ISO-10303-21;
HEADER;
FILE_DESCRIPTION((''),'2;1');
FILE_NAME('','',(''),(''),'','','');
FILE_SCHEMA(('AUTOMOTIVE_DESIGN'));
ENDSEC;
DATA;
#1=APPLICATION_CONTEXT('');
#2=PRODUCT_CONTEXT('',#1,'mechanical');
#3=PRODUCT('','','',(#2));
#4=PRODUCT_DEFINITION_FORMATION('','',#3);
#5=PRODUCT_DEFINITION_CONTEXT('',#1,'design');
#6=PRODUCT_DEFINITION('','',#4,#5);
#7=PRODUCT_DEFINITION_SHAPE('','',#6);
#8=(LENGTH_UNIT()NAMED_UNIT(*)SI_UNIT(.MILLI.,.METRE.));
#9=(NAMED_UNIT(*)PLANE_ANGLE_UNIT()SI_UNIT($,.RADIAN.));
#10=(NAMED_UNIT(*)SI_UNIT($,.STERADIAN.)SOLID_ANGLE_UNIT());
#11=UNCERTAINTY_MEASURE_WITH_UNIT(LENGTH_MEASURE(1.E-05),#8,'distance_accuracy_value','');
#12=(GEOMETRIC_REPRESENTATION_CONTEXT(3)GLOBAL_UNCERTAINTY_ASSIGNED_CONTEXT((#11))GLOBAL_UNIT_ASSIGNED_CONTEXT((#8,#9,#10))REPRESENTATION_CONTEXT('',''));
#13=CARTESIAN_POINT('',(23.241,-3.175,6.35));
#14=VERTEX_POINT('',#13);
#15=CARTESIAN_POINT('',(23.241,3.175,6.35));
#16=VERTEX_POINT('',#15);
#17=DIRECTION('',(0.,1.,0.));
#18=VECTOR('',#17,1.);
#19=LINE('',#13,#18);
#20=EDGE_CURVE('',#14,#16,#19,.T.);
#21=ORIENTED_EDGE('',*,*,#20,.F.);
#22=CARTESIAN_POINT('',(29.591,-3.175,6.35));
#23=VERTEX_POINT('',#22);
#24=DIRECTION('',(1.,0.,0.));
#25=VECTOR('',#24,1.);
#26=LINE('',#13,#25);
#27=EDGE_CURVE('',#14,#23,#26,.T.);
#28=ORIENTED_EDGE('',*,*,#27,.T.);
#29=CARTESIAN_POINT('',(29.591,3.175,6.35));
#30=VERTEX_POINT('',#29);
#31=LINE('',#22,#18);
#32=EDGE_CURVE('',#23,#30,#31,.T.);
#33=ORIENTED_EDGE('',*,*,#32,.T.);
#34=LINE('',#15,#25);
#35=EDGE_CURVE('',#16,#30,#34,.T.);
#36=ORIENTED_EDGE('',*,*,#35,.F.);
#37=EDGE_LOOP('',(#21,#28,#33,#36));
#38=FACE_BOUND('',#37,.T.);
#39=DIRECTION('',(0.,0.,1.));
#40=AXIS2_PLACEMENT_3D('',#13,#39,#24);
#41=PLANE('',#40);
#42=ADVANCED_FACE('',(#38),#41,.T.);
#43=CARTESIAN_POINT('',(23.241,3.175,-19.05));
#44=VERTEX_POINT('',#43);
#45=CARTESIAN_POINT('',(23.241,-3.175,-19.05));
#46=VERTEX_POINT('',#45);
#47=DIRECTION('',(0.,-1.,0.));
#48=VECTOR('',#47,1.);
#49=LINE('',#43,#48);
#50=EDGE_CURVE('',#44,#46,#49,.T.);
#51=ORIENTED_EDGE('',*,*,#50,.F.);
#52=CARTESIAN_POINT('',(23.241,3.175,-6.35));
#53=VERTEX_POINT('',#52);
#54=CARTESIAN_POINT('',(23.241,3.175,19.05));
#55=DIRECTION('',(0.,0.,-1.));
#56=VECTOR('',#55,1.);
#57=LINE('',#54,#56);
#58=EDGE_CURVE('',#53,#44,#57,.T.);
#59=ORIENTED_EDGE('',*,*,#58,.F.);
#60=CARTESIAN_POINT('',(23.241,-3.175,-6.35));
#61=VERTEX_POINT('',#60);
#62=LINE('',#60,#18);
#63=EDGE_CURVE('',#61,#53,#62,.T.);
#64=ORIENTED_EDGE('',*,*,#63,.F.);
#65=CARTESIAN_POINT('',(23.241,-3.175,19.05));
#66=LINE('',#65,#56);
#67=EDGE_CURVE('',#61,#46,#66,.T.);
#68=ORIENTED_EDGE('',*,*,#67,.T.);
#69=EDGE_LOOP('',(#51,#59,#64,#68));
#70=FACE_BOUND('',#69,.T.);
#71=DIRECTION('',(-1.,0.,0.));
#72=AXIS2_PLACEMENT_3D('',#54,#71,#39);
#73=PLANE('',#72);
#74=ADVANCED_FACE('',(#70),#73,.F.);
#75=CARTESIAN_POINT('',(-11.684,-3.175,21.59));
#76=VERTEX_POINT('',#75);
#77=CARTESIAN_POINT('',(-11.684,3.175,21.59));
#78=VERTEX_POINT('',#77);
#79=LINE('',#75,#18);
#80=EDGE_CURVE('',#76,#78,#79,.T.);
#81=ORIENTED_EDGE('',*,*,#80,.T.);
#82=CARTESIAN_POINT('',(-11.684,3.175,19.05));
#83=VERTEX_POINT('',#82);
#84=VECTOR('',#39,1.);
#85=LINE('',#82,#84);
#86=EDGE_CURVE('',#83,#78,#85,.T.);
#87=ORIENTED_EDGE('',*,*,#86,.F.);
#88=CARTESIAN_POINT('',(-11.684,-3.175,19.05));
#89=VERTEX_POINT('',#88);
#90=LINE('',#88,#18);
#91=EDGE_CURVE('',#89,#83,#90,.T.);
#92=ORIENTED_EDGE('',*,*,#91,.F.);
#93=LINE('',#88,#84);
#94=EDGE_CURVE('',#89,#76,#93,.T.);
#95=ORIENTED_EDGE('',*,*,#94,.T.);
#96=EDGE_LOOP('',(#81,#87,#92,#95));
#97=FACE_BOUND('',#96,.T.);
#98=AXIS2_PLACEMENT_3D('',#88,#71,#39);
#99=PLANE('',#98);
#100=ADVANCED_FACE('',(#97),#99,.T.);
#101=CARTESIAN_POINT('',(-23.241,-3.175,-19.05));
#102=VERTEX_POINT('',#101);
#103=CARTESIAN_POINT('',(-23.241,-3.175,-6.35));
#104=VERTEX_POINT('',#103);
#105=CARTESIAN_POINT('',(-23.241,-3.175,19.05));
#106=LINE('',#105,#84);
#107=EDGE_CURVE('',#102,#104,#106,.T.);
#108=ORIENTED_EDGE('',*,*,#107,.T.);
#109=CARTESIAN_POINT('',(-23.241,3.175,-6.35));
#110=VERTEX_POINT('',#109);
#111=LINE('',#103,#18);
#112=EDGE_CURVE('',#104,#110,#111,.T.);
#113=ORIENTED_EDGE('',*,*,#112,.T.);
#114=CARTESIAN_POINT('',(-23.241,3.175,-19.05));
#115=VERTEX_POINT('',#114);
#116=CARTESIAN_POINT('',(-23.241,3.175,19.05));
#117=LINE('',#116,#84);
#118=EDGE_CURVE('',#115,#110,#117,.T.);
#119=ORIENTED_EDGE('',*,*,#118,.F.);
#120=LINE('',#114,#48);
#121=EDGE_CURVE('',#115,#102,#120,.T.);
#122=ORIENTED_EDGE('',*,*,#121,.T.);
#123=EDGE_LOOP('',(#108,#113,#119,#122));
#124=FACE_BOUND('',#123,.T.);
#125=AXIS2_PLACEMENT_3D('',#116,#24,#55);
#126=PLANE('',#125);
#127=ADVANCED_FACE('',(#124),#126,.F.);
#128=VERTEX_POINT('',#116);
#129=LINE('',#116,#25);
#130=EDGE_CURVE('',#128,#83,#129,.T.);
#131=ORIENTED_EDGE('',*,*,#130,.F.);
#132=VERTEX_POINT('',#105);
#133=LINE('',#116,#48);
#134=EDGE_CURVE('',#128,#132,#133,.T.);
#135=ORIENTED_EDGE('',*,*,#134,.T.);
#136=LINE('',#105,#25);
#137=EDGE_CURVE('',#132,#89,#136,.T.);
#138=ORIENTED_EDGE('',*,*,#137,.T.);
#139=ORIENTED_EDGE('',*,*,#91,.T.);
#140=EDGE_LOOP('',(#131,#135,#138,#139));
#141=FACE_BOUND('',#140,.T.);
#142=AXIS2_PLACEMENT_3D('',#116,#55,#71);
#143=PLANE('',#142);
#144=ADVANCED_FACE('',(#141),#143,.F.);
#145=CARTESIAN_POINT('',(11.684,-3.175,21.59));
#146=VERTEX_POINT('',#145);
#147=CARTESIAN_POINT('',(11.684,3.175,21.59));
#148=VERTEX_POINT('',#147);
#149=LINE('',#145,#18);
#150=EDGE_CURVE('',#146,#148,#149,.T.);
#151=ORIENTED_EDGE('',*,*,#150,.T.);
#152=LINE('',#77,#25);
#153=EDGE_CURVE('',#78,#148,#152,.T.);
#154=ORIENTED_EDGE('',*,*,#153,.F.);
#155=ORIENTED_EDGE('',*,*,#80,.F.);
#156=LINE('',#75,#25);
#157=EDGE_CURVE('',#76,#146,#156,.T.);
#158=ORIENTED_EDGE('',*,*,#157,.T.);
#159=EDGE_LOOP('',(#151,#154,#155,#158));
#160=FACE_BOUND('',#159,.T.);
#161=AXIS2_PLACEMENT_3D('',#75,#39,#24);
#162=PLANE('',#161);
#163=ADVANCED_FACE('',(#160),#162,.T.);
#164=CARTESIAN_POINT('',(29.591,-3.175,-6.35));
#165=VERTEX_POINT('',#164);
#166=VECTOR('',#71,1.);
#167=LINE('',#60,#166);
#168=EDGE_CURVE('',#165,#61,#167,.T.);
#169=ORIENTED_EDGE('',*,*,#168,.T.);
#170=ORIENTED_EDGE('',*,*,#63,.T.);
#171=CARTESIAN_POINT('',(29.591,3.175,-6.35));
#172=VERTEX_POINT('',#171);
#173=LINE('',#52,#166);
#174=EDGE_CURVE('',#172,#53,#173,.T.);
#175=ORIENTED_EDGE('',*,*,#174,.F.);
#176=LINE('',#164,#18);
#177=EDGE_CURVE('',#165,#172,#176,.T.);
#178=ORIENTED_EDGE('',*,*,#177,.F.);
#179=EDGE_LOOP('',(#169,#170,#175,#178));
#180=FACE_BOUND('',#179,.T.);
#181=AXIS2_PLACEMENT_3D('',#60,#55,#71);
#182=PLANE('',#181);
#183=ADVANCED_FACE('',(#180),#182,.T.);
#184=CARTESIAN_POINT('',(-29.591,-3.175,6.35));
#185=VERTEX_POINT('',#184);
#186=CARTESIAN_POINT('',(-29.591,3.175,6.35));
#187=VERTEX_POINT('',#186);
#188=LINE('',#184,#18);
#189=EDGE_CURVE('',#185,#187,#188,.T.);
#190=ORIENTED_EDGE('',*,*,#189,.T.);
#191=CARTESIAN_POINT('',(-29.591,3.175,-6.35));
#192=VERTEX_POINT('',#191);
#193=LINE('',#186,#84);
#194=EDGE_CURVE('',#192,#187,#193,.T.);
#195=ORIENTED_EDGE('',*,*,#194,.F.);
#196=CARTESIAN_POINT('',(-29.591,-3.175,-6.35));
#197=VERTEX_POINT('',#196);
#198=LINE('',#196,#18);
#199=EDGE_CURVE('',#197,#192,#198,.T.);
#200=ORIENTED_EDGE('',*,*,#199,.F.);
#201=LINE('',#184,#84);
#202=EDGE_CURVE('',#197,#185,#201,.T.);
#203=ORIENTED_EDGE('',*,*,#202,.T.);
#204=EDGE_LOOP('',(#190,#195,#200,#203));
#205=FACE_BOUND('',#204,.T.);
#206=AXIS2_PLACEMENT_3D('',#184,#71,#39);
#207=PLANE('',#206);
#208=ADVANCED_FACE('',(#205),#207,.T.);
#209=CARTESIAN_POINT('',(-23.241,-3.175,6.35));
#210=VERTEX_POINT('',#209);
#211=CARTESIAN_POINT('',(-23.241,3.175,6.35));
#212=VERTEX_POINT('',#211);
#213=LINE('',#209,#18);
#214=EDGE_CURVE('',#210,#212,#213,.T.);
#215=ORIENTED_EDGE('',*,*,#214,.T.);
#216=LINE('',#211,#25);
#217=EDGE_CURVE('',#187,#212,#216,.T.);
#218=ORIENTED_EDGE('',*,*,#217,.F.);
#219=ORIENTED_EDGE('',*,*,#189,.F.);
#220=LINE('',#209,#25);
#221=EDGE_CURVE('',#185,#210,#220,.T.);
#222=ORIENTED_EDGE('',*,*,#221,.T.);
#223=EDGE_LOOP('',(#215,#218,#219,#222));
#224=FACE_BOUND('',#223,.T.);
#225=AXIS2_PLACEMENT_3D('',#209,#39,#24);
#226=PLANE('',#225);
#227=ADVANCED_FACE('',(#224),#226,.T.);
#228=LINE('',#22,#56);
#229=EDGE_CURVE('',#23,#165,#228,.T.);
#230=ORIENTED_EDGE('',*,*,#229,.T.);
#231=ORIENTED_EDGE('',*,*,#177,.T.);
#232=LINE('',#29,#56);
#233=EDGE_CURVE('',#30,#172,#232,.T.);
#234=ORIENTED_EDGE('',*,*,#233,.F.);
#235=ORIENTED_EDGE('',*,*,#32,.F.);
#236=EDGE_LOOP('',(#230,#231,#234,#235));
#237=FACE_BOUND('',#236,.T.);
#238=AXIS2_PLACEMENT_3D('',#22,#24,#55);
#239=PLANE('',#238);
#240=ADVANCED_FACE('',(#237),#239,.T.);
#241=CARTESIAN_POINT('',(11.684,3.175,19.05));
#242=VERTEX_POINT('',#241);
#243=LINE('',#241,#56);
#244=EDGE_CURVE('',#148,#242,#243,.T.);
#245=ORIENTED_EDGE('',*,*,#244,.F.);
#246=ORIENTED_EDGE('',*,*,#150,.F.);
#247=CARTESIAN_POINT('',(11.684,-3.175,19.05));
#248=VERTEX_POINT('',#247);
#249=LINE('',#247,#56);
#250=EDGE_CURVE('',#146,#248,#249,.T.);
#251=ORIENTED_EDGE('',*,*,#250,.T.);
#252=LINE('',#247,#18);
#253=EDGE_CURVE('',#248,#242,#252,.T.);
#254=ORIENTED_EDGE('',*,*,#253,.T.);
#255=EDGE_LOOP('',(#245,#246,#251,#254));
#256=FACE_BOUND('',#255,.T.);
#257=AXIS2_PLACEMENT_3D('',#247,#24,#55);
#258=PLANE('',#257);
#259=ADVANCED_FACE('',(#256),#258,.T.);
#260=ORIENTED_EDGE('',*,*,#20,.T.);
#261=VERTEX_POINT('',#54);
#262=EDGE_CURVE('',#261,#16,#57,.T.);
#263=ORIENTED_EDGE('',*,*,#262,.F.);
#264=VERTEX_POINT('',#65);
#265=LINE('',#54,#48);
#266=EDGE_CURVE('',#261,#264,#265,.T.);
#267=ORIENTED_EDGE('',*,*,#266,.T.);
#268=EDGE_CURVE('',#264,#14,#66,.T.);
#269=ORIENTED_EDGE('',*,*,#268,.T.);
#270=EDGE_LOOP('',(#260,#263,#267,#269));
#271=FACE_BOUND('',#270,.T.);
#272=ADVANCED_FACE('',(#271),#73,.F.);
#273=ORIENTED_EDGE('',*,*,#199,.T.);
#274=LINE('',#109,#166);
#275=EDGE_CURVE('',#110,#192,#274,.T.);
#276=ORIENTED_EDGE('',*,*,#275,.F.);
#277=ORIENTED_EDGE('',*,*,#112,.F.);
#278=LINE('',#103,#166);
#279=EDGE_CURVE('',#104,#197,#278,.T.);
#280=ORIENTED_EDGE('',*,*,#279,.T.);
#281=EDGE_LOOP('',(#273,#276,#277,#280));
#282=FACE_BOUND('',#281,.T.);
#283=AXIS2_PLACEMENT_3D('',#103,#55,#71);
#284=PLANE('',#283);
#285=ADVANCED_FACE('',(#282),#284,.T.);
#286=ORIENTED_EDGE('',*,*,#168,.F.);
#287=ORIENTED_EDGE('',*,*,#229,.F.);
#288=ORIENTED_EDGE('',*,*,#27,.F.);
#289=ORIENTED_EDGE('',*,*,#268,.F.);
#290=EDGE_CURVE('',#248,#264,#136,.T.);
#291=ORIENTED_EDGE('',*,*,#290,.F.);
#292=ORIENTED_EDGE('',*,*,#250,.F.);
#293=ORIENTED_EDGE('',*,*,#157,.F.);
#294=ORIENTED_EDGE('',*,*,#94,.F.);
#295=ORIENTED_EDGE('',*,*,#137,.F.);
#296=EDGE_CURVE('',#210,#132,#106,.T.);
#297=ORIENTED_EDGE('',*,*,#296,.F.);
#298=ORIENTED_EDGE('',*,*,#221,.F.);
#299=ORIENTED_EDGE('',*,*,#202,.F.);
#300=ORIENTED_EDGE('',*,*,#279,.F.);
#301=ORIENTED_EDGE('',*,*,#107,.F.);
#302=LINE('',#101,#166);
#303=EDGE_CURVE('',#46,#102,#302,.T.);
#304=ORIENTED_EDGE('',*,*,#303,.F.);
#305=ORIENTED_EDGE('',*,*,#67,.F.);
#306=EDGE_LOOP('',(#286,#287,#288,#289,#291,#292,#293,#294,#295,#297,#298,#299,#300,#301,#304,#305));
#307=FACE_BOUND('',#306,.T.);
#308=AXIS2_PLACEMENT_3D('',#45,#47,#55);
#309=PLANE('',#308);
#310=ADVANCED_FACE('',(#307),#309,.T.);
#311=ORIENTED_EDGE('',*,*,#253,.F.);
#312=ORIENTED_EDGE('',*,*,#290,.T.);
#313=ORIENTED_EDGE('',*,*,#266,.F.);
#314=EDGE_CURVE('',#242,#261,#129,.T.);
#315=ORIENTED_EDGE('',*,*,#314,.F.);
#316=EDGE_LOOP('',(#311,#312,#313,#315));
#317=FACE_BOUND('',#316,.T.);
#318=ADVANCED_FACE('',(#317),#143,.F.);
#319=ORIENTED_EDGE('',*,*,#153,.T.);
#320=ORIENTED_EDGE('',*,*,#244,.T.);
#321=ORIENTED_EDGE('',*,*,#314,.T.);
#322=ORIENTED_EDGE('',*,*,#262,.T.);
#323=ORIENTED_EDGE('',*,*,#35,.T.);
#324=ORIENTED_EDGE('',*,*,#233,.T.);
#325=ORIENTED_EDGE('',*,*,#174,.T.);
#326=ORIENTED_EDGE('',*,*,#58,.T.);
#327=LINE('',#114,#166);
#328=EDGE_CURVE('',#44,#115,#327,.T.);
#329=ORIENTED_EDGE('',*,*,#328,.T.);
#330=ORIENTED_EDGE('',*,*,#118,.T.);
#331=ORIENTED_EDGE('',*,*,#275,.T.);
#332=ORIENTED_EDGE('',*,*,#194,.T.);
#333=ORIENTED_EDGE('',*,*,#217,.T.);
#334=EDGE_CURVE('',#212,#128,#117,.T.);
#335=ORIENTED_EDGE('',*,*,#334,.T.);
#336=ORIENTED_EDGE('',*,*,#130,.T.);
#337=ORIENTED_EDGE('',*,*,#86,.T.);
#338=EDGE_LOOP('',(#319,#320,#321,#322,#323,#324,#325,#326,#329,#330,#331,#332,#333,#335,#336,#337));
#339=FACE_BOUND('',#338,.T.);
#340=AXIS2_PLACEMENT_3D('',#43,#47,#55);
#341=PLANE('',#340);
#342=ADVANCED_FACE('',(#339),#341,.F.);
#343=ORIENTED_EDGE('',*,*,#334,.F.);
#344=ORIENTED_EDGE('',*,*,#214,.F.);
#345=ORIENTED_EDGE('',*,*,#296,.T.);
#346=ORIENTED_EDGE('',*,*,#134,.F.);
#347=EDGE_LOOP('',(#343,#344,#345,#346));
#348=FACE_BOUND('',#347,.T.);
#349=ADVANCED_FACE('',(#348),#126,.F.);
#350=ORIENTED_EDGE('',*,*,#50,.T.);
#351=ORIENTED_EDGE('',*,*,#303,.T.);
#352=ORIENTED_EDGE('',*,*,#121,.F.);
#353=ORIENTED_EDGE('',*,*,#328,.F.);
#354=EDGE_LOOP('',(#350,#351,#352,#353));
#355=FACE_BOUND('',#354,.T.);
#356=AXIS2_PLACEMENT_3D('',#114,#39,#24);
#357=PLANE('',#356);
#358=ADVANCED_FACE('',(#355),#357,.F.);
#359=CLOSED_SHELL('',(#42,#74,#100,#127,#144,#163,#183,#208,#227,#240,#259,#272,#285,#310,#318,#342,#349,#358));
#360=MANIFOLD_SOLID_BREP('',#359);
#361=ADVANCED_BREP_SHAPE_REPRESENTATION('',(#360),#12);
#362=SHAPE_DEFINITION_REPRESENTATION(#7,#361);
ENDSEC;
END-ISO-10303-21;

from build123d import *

# Parameters (mm, degrees)
SKETCH1_W           = 46.482
SKETCH1_H           = 38.1
BOSS_EXTRUDE1_DEPTH = 3.175
SKETCH2_W           = 23.368
SKETCH2_H           = 2.54
SKETCH2_W_2         = 6.35
SKETCH2_H_2         = 12.7
BOSS_EXTRUDE2_DEPTH = 6.35


with BuildPart() as part:
    # Sketch1 → Boss-Extrude1 (new body, symmetric)
    with BuildSketch(Plane(origin=(0, 0, 0), x_dir=(1, 0, 0), z_dir=(0, 1, 0))):
        Rectangle(SKETCH1_W, SKETCH1_H)
    extrude(amount=BOSS_EXTRUDE1_DEPTH, both=True)

    # Sketch2 → Boss-Extrude2 (add)
    with BuildSketch(Plane(origin=(0, 3.175, 0), x_dir=(1, 0, 0), z_dir=(0, 1, 0))):
        with Locations((0, -20.32)):
            Rectangle(SKETCH2_W, SKETCH2_H)
        with Locations((-26.416, 0)):
            Rectangle(SKETCH2_W_2, SKETCH2_H_2)
        with Locations((26.416, 0)):
            Rectangle(SKETCH2_W_2, SKETCH2_H_2)
    extrude(amount=-BOSS_EXTRUDE2_DEPTH)


solid = part.part
